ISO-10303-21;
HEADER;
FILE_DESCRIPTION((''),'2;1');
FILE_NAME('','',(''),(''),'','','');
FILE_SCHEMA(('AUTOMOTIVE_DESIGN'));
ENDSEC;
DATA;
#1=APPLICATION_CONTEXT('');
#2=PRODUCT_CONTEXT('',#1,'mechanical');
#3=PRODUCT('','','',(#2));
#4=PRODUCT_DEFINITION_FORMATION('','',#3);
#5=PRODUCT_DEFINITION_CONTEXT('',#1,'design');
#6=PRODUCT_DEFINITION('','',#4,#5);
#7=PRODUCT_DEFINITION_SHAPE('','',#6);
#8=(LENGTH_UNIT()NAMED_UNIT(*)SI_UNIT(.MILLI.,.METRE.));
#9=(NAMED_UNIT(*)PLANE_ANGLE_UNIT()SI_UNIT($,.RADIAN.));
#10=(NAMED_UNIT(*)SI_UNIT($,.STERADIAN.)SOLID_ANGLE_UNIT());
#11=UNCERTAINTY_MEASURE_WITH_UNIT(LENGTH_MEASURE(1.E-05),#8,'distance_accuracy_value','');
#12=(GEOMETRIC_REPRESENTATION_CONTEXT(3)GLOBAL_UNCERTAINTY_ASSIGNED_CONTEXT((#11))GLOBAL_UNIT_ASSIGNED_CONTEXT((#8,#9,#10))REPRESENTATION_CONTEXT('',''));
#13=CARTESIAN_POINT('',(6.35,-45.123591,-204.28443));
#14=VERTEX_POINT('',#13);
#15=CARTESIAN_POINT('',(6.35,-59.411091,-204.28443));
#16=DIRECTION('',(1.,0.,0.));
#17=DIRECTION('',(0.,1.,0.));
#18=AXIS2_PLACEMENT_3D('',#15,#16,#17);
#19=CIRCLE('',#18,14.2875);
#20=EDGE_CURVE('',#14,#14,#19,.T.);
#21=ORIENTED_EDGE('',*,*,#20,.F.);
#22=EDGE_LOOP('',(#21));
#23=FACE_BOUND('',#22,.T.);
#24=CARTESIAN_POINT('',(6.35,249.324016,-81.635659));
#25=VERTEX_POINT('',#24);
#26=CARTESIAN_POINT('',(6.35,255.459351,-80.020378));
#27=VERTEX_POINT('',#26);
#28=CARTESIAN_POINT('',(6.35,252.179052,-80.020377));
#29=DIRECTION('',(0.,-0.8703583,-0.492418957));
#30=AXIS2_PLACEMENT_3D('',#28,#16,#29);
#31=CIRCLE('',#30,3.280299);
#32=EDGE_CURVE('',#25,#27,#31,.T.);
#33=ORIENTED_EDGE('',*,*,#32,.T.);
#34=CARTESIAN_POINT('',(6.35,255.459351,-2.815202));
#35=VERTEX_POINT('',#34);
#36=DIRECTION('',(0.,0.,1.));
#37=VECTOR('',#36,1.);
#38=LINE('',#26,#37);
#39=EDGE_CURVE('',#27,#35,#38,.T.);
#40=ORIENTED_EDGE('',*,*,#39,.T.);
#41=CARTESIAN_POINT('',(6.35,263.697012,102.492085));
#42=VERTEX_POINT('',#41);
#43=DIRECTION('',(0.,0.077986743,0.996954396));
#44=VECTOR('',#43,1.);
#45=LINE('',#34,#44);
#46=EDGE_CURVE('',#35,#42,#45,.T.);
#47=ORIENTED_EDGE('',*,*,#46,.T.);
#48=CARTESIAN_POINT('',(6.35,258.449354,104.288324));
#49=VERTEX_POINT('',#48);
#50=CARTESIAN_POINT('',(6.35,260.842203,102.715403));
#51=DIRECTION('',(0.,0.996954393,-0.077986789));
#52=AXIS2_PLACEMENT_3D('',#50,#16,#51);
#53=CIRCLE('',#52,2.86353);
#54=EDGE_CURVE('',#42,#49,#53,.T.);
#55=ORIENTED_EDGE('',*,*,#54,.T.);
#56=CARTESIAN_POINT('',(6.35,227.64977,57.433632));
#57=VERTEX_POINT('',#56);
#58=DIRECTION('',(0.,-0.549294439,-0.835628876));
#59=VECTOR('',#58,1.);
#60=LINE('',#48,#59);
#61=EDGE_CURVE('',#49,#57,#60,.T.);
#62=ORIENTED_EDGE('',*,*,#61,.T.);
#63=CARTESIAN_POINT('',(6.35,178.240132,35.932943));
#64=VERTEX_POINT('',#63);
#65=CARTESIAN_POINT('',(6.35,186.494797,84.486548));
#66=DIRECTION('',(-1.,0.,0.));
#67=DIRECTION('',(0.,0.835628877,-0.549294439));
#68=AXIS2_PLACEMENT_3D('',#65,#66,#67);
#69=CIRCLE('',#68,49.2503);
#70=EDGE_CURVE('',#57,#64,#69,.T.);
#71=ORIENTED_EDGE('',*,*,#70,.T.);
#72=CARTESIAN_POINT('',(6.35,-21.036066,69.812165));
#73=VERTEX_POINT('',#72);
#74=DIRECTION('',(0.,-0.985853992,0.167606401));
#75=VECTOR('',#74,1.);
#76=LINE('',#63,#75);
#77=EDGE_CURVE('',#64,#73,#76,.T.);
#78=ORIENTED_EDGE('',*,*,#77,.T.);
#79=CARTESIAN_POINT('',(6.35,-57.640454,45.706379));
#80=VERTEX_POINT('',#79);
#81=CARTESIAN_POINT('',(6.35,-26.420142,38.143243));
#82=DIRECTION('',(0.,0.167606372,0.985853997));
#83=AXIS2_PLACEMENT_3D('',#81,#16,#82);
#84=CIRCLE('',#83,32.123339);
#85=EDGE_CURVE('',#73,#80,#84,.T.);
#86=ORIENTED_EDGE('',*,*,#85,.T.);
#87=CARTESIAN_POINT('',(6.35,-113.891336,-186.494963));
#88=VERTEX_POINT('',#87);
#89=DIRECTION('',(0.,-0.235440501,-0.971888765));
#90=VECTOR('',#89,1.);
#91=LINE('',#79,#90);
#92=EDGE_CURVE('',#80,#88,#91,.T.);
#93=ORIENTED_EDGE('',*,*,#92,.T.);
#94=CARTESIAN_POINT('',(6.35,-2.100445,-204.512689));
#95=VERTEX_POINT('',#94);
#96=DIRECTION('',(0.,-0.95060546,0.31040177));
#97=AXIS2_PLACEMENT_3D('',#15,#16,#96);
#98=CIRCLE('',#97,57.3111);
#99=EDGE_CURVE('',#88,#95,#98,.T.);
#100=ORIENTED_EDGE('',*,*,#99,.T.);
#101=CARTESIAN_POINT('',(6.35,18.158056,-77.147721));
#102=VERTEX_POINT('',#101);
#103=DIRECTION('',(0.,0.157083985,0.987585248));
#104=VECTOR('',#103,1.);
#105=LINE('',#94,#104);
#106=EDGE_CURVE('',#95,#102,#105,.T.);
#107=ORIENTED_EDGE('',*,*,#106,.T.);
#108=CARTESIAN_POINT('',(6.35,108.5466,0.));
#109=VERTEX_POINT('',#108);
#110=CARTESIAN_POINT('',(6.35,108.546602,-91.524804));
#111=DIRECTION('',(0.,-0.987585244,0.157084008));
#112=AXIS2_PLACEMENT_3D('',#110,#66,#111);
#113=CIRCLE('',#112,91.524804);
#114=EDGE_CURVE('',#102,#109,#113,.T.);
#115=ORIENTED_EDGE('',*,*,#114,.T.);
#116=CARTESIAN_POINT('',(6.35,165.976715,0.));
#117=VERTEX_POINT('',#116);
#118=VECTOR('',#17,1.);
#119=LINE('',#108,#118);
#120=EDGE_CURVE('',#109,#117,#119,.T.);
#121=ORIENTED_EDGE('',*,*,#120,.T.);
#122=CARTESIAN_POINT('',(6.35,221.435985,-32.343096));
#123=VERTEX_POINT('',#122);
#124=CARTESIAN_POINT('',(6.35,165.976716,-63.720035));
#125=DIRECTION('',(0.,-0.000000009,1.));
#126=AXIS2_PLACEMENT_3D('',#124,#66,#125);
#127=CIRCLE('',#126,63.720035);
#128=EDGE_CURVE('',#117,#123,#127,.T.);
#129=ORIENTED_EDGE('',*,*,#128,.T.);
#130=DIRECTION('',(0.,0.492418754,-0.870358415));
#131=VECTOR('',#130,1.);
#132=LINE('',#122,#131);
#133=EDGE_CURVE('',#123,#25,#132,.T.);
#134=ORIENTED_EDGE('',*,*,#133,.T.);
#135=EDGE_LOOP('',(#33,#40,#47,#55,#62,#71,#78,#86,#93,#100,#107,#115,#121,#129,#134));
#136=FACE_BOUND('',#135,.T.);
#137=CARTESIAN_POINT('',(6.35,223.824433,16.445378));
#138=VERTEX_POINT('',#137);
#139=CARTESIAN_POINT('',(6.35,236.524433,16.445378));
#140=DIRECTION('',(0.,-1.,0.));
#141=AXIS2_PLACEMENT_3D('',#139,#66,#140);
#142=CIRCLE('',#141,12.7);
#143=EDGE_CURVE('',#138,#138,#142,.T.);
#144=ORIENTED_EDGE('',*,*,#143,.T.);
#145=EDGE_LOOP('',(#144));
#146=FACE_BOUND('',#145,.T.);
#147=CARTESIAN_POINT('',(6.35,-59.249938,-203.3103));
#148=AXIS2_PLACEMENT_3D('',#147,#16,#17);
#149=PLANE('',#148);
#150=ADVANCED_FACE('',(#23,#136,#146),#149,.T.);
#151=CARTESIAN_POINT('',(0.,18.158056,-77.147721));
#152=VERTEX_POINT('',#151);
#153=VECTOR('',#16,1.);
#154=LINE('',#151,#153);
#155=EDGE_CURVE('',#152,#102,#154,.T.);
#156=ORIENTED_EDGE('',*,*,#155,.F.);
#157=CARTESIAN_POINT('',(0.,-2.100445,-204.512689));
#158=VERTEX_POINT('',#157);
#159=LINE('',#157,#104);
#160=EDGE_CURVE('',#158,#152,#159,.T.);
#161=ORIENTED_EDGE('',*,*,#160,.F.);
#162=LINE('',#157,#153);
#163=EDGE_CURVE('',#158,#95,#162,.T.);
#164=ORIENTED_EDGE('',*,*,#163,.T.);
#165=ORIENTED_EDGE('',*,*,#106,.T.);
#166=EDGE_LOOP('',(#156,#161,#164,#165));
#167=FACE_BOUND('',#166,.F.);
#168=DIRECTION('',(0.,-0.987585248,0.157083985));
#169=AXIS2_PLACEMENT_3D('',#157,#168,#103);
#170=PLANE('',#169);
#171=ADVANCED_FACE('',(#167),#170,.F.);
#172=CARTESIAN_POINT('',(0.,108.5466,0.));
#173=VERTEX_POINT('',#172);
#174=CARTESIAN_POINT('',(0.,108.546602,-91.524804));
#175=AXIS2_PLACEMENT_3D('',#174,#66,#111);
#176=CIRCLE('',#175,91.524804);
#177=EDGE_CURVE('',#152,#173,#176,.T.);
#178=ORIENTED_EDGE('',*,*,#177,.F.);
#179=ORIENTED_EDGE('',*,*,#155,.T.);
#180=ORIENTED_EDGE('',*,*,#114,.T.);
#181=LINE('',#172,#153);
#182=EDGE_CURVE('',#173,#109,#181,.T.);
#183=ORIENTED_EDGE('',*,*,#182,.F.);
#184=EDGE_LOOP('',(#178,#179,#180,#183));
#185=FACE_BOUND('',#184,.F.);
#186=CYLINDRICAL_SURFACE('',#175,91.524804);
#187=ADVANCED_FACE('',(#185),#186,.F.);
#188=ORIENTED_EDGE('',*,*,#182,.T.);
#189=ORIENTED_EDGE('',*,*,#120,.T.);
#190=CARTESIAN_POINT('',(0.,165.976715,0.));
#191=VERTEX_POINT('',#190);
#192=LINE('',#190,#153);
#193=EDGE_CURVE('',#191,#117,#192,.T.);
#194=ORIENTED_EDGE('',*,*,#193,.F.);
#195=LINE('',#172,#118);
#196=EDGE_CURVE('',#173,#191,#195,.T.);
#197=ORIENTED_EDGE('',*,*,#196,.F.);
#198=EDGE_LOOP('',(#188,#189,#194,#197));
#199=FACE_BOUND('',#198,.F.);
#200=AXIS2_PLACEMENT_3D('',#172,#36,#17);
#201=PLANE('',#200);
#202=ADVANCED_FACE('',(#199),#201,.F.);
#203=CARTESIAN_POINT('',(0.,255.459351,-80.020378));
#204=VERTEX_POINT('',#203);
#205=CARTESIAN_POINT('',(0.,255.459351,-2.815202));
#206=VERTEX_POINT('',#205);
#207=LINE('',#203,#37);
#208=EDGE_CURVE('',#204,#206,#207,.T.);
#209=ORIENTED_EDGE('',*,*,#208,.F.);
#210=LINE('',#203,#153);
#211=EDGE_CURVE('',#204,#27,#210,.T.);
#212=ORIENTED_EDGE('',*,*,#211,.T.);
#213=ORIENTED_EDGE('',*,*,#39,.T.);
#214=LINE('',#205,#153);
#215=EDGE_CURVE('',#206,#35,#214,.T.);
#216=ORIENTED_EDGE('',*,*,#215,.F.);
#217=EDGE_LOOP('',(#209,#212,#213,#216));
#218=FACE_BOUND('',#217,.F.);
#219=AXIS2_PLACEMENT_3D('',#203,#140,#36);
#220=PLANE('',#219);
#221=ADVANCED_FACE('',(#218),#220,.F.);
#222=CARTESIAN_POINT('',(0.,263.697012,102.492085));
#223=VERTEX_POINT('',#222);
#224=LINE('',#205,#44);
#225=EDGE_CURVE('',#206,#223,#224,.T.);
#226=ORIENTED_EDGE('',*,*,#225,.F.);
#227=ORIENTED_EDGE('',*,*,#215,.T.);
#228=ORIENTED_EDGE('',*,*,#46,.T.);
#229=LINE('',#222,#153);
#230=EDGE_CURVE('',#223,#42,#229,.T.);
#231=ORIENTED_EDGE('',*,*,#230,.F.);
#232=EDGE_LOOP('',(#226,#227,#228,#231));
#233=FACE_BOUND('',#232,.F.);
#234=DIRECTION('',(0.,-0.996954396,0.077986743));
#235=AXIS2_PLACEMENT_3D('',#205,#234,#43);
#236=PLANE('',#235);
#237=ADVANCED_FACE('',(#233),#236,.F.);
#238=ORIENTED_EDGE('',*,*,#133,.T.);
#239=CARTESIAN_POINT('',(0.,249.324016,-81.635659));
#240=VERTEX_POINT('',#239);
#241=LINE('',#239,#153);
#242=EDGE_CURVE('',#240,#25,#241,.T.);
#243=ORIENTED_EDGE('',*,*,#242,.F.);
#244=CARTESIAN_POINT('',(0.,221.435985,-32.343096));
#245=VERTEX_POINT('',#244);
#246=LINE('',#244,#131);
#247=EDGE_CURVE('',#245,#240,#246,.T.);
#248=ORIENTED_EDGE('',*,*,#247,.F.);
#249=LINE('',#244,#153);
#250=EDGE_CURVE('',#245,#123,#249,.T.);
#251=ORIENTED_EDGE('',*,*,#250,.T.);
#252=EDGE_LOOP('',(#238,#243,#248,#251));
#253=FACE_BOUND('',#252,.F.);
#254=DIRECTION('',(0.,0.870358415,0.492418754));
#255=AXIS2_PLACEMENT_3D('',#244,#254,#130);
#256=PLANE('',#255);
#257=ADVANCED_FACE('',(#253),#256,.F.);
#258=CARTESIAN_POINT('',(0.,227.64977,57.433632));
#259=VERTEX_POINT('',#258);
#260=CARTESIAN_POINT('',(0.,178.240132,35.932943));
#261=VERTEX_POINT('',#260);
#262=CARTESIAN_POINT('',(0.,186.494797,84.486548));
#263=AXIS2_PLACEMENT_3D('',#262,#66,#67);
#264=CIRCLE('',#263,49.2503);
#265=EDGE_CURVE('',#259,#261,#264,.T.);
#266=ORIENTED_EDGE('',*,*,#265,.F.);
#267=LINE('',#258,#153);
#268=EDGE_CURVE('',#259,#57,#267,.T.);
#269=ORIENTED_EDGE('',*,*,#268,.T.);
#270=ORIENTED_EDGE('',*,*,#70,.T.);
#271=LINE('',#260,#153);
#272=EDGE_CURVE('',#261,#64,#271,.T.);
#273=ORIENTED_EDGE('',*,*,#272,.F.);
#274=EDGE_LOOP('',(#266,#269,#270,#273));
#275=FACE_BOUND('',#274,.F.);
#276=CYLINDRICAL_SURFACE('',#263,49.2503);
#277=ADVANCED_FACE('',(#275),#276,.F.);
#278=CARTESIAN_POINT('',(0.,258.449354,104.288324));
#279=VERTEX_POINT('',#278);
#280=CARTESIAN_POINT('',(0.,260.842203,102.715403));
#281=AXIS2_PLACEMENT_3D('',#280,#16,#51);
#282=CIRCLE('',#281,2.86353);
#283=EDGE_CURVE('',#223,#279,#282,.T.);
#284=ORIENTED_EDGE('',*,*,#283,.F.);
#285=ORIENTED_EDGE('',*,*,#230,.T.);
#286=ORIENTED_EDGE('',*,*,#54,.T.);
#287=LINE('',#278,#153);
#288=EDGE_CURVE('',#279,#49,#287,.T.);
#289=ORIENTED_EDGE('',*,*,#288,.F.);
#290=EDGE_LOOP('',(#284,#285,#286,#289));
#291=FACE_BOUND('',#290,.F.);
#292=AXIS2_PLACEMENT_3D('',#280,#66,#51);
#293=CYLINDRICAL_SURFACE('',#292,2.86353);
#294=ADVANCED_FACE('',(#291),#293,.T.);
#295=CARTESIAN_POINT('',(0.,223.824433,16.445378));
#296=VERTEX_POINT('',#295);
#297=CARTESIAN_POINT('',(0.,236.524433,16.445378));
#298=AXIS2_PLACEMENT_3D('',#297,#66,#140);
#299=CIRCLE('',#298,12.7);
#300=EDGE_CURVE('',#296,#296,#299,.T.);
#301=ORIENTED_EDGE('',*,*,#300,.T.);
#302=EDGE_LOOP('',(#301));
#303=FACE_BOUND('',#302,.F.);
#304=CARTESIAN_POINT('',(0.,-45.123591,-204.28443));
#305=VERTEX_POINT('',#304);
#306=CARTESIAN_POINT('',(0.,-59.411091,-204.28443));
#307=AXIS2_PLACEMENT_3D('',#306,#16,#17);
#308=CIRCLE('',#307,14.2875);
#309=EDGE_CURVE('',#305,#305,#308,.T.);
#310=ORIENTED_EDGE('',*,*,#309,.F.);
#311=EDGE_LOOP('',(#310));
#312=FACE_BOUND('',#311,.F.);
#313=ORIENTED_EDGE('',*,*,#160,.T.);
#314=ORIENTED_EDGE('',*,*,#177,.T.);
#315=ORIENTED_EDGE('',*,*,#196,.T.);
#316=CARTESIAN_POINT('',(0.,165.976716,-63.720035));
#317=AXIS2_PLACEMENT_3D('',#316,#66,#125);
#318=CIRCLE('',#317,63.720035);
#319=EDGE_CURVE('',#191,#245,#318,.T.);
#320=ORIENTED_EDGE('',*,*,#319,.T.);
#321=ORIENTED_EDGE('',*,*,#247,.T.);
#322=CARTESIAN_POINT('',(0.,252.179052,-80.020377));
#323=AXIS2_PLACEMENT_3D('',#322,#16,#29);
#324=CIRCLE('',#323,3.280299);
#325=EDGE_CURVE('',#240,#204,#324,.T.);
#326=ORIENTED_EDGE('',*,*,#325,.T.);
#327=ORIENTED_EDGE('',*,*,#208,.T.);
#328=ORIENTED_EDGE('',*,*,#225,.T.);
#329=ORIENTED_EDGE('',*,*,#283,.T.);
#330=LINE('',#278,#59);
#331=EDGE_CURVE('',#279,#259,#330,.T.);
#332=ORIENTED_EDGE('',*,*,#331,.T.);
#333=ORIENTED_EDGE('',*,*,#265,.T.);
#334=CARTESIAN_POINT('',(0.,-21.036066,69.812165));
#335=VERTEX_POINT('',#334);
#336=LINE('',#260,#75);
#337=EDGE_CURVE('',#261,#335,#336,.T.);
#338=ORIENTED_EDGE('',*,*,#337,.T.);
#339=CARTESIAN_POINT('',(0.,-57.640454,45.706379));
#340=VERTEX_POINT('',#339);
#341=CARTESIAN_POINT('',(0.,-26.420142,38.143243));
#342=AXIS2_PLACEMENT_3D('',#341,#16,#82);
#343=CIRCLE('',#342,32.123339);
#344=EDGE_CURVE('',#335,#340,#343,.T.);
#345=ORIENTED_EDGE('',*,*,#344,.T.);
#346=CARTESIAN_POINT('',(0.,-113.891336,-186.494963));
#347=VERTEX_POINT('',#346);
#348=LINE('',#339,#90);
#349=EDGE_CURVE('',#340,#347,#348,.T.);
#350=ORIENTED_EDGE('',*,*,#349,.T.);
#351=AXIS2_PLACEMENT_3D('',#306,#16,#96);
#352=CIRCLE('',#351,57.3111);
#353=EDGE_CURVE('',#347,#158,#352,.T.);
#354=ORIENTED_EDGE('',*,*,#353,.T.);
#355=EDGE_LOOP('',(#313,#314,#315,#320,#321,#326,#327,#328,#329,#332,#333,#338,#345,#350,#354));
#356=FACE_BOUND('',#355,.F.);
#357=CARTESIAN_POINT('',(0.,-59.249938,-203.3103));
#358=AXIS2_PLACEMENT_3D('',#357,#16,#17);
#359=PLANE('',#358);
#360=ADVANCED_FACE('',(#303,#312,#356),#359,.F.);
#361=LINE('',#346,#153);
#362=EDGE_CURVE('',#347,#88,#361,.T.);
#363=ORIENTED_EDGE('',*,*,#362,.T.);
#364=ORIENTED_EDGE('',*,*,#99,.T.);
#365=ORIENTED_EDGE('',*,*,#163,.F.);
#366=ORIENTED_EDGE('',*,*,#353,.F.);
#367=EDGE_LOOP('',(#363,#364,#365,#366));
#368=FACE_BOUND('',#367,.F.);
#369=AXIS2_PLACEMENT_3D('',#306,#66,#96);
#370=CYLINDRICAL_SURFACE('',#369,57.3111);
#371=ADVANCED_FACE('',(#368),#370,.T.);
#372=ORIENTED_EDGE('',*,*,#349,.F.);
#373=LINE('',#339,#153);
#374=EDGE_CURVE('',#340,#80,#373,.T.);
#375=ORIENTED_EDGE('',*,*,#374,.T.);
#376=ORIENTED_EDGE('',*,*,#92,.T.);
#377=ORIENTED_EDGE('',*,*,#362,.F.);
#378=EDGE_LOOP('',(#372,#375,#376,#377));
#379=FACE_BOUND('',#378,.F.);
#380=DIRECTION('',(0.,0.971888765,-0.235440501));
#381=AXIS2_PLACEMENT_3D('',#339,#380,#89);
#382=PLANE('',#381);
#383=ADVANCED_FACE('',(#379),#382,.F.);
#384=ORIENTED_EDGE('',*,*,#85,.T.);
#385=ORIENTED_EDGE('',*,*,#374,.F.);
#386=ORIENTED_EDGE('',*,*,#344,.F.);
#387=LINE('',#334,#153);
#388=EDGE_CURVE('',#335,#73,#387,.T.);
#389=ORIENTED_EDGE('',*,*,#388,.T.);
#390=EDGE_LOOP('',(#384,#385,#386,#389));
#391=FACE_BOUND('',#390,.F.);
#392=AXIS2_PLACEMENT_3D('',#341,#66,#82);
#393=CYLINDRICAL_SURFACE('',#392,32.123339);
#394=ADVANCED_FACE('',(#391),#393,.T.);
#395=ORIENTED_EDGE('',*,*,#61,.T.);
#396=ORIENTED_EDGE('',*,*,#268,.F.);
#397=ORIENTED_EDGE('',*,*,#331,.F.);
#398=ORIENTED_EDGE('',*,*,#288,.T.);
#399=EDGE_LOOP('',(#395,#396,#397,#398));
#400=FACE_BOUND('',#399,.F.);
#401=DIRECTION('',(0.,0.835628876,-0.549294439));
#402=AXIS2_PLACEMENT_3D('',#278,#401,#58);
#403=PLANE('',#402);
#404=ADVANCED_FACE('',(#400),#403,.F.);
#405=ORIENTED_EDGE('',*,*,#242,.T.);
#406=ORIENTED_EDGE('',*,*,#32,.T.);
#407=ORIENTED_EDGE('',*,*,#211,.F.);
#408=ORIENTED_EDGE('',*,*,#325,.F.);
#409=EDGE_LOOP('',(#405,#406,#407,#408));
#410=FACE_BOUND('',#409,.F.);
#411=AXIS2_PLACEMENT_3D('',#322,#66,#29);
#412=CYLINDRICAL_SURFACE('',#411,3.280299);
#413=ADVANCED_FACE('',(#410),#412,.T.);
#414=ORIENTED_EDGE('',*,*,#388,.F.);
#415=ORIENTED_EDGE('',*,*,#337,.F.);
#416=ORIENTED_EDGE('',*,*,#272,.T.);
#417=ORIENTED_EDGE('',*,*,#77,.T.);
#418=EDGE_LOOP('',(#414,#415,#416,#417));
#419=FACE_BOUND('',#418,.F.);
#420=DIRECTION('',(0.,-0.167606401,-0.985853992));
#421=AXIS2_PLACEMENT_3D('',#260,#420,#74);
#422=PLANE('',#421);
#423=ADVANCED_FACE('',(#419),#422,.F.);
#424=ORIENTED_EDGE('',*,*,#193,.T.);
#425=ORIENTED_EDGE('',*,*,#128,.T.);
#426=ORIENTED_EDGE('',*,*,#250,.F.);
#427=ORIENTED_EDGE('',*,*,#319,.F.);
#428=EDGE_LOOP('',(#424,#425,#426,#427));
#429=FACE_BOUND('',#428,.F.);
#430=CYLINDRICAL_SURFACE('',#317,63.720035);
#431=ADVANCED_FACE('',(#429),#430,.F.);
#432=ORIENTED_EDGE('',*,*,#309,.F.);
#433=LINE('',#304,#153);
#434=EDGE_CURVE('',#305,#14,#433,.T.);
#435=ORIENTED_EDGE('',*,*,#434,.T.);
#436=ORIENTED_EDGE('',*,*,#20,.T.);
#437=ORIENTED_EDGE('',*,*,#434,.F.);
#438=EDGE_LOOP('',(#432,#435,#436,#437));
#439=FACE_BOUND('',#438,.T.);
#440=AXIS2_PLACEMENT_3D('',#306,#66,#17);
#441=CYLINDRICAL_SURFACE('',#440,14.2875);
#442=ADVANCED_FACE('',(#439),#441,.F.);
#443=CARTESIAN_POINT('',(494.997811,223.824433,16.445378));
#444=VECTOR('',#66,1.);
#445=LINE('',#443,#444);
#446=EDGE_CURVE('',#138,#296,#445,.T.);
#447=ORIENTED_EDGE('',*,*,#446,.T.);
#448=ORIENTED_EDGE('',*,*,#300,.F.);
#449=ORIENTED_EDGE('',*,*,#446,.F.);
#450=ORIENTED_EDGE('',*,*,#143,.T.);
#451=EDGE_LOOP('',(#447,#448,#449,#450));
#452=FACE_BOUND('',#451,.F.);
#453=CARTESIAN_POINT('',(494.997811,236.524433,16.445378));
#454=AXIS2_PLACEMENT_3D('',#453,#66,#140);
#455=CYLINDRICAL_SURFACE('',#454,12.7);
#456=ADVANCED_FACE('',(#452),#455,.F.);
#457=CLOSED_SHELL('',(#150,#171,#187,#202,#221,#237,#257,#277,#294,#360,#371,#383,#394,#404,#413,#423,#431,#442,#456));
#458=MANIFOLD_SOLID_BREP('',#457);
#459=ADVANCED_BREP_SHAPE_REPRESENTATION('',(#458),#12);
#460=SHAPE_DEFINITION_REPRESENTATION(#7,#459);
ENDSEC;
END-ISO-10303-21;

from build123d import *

# Parameters (mm, degrees)
F1_DEPTH = 6.35
F2_DEPTH = 6.35
F4_D     = 25.4
F0_R     = 14.2875
F5_DEPTH = 6.35


with BuildPart() as f1:
    # F0 (on Right) → F1 (new body)
    with BuildSketch(Plane.YZ):
        with BuildLine():
            ThreePointArc((-2.099991, -204.28443), (-2.100104, -204.39856), (-2.100445, -204.512689))
            Line((-2.100445, -204.512689), (18.158056, -77.147721))
            ThreePointArc((18.158056, -77.147721), (49.128885, -21.909255), (108.5466, 0))
            Line((108.5466, 0), (165.976715, 0))
            ThreePointArc((165.976715, 0), (198.077363, -8.676495), (221.435985, -32.343096))
            Line((221.435985, -32.343096), (249.324016, -81.635659))
            ThreePointArc((249.324016, -81.635659), (253.014213, -83.19258), (255.459351, -80.020378))
            Line((255.459351, -80.020378), (255.459351, -2.815202))
            Line((255.459351, -2.815202), (263.697012, 102.492085))
            ThreePointArc((263.697012, 102.492085), (261.769548, 105.424616), (258.449354, 104.288324))
            Line((258.449354, 104.288324), (227.64977, 57.433632))
            ThreePointArc((227.64977, 57.433632), (206.146196, 39.32667), (178.240132, 35.932943))
            Line((178.240132, 35.932943), (-21.036066, 69.812165))
            ThreePointArc((-21.036066, 69.812165), (-44.087909, 64.971566), (-57.640454, 45.706379))
            Line((-57.640454, 45.706379), (-113.891336, -186.494963))
            ThreePointArc((-113.891336, -186.494963), (-50.404443, -147.685468), (-2.099991, -204.28443))
        make_face()
    extrude(amount=F1_DEPTH)

    # F0 (on Right) → F2 (join)
    with BuildSketch(Plane.YZ):
        with BuildLine():
            ThreePointArc((-2.099991, -204.28443), (-2.100104, -204.39856), (-2.100445, -204.512689))
            Line((-2.100445, -204.512689), (18.158056, -77.147721))
            ThreePointArc((18.158056, -77.147721), (49.128885, -21.909255), (108.5466, 0))
            Line((108.5466, 0), (165.976715, 0))
            ThreePointArc((165.976715, 0), (198.077363, -8.676495), (221.435985, -32.343096))
            Line((221.435985, -32.343096), (249.324016, -81.635659))
            ThreePointArc((249.324016, -81.635659), (253.014213, -83.19258), (255.459351, -80.020378))
            Line((255.459351, -80.020378), (255.459351, -2.815202))
            Line((255.459351, -2.815202), (263.697012, 102.492085))
            ThreePointArc((263.697012, 102.492085), (261.769548, 105.424616), (258.449354, 104.288324))
            Line((258.449354, 104.288324), (227.64977, 57.433632))
            ThreePointArc((227.64977, 57.433632), (206.146196, 39.32667), (178.240132, 35.932943))
            Line((178.240132, 35.932943), (-21.036066, 69.812165))
            ThreePointArc((-21.036066, 69.812165), (-44.087909, 64.971566), (-57.640454, 45.706379))
            Line((-57.640454, 45.706379), (-113.891336, -186.494963))
            ThreePointArc((-113.891336, -186.494963), (-50.404443, -147.685468), (-2.099991, -204.28443))
        make_face()
    extrude(amount=F2_DEPTH)

    # F4 (through all)
    with Locations(Plane.YZ.offset(6.35)):
        with Locations((236.524433, 16.445378)):
            Hole(F4_D / 2)

    # F0 (on Right) → F5 (join)
    with BuildSketch(Plane.YZ):
        with BuildLine():
            ThreePointArc((-113.891336, -186.494963), (-68.530434, -260.865344), (-2.100445, -204.512689))
            ThreePointArc((-2.100445, -204.512689), (-2.100104, -204.39856), (-2.099991, -204.28443))
            ThreePointArc((-2.099991, -204.28443), (-50.404443, -147.685468), (-113.891336, -186.494963))
        make_face()
        with Locations((-59.411091, -204.28443)):
            Circle(F0_R, mode=Mode.SUBTRACT)
    extrude(amount=F5_DEPTH)


solid = f1.part
